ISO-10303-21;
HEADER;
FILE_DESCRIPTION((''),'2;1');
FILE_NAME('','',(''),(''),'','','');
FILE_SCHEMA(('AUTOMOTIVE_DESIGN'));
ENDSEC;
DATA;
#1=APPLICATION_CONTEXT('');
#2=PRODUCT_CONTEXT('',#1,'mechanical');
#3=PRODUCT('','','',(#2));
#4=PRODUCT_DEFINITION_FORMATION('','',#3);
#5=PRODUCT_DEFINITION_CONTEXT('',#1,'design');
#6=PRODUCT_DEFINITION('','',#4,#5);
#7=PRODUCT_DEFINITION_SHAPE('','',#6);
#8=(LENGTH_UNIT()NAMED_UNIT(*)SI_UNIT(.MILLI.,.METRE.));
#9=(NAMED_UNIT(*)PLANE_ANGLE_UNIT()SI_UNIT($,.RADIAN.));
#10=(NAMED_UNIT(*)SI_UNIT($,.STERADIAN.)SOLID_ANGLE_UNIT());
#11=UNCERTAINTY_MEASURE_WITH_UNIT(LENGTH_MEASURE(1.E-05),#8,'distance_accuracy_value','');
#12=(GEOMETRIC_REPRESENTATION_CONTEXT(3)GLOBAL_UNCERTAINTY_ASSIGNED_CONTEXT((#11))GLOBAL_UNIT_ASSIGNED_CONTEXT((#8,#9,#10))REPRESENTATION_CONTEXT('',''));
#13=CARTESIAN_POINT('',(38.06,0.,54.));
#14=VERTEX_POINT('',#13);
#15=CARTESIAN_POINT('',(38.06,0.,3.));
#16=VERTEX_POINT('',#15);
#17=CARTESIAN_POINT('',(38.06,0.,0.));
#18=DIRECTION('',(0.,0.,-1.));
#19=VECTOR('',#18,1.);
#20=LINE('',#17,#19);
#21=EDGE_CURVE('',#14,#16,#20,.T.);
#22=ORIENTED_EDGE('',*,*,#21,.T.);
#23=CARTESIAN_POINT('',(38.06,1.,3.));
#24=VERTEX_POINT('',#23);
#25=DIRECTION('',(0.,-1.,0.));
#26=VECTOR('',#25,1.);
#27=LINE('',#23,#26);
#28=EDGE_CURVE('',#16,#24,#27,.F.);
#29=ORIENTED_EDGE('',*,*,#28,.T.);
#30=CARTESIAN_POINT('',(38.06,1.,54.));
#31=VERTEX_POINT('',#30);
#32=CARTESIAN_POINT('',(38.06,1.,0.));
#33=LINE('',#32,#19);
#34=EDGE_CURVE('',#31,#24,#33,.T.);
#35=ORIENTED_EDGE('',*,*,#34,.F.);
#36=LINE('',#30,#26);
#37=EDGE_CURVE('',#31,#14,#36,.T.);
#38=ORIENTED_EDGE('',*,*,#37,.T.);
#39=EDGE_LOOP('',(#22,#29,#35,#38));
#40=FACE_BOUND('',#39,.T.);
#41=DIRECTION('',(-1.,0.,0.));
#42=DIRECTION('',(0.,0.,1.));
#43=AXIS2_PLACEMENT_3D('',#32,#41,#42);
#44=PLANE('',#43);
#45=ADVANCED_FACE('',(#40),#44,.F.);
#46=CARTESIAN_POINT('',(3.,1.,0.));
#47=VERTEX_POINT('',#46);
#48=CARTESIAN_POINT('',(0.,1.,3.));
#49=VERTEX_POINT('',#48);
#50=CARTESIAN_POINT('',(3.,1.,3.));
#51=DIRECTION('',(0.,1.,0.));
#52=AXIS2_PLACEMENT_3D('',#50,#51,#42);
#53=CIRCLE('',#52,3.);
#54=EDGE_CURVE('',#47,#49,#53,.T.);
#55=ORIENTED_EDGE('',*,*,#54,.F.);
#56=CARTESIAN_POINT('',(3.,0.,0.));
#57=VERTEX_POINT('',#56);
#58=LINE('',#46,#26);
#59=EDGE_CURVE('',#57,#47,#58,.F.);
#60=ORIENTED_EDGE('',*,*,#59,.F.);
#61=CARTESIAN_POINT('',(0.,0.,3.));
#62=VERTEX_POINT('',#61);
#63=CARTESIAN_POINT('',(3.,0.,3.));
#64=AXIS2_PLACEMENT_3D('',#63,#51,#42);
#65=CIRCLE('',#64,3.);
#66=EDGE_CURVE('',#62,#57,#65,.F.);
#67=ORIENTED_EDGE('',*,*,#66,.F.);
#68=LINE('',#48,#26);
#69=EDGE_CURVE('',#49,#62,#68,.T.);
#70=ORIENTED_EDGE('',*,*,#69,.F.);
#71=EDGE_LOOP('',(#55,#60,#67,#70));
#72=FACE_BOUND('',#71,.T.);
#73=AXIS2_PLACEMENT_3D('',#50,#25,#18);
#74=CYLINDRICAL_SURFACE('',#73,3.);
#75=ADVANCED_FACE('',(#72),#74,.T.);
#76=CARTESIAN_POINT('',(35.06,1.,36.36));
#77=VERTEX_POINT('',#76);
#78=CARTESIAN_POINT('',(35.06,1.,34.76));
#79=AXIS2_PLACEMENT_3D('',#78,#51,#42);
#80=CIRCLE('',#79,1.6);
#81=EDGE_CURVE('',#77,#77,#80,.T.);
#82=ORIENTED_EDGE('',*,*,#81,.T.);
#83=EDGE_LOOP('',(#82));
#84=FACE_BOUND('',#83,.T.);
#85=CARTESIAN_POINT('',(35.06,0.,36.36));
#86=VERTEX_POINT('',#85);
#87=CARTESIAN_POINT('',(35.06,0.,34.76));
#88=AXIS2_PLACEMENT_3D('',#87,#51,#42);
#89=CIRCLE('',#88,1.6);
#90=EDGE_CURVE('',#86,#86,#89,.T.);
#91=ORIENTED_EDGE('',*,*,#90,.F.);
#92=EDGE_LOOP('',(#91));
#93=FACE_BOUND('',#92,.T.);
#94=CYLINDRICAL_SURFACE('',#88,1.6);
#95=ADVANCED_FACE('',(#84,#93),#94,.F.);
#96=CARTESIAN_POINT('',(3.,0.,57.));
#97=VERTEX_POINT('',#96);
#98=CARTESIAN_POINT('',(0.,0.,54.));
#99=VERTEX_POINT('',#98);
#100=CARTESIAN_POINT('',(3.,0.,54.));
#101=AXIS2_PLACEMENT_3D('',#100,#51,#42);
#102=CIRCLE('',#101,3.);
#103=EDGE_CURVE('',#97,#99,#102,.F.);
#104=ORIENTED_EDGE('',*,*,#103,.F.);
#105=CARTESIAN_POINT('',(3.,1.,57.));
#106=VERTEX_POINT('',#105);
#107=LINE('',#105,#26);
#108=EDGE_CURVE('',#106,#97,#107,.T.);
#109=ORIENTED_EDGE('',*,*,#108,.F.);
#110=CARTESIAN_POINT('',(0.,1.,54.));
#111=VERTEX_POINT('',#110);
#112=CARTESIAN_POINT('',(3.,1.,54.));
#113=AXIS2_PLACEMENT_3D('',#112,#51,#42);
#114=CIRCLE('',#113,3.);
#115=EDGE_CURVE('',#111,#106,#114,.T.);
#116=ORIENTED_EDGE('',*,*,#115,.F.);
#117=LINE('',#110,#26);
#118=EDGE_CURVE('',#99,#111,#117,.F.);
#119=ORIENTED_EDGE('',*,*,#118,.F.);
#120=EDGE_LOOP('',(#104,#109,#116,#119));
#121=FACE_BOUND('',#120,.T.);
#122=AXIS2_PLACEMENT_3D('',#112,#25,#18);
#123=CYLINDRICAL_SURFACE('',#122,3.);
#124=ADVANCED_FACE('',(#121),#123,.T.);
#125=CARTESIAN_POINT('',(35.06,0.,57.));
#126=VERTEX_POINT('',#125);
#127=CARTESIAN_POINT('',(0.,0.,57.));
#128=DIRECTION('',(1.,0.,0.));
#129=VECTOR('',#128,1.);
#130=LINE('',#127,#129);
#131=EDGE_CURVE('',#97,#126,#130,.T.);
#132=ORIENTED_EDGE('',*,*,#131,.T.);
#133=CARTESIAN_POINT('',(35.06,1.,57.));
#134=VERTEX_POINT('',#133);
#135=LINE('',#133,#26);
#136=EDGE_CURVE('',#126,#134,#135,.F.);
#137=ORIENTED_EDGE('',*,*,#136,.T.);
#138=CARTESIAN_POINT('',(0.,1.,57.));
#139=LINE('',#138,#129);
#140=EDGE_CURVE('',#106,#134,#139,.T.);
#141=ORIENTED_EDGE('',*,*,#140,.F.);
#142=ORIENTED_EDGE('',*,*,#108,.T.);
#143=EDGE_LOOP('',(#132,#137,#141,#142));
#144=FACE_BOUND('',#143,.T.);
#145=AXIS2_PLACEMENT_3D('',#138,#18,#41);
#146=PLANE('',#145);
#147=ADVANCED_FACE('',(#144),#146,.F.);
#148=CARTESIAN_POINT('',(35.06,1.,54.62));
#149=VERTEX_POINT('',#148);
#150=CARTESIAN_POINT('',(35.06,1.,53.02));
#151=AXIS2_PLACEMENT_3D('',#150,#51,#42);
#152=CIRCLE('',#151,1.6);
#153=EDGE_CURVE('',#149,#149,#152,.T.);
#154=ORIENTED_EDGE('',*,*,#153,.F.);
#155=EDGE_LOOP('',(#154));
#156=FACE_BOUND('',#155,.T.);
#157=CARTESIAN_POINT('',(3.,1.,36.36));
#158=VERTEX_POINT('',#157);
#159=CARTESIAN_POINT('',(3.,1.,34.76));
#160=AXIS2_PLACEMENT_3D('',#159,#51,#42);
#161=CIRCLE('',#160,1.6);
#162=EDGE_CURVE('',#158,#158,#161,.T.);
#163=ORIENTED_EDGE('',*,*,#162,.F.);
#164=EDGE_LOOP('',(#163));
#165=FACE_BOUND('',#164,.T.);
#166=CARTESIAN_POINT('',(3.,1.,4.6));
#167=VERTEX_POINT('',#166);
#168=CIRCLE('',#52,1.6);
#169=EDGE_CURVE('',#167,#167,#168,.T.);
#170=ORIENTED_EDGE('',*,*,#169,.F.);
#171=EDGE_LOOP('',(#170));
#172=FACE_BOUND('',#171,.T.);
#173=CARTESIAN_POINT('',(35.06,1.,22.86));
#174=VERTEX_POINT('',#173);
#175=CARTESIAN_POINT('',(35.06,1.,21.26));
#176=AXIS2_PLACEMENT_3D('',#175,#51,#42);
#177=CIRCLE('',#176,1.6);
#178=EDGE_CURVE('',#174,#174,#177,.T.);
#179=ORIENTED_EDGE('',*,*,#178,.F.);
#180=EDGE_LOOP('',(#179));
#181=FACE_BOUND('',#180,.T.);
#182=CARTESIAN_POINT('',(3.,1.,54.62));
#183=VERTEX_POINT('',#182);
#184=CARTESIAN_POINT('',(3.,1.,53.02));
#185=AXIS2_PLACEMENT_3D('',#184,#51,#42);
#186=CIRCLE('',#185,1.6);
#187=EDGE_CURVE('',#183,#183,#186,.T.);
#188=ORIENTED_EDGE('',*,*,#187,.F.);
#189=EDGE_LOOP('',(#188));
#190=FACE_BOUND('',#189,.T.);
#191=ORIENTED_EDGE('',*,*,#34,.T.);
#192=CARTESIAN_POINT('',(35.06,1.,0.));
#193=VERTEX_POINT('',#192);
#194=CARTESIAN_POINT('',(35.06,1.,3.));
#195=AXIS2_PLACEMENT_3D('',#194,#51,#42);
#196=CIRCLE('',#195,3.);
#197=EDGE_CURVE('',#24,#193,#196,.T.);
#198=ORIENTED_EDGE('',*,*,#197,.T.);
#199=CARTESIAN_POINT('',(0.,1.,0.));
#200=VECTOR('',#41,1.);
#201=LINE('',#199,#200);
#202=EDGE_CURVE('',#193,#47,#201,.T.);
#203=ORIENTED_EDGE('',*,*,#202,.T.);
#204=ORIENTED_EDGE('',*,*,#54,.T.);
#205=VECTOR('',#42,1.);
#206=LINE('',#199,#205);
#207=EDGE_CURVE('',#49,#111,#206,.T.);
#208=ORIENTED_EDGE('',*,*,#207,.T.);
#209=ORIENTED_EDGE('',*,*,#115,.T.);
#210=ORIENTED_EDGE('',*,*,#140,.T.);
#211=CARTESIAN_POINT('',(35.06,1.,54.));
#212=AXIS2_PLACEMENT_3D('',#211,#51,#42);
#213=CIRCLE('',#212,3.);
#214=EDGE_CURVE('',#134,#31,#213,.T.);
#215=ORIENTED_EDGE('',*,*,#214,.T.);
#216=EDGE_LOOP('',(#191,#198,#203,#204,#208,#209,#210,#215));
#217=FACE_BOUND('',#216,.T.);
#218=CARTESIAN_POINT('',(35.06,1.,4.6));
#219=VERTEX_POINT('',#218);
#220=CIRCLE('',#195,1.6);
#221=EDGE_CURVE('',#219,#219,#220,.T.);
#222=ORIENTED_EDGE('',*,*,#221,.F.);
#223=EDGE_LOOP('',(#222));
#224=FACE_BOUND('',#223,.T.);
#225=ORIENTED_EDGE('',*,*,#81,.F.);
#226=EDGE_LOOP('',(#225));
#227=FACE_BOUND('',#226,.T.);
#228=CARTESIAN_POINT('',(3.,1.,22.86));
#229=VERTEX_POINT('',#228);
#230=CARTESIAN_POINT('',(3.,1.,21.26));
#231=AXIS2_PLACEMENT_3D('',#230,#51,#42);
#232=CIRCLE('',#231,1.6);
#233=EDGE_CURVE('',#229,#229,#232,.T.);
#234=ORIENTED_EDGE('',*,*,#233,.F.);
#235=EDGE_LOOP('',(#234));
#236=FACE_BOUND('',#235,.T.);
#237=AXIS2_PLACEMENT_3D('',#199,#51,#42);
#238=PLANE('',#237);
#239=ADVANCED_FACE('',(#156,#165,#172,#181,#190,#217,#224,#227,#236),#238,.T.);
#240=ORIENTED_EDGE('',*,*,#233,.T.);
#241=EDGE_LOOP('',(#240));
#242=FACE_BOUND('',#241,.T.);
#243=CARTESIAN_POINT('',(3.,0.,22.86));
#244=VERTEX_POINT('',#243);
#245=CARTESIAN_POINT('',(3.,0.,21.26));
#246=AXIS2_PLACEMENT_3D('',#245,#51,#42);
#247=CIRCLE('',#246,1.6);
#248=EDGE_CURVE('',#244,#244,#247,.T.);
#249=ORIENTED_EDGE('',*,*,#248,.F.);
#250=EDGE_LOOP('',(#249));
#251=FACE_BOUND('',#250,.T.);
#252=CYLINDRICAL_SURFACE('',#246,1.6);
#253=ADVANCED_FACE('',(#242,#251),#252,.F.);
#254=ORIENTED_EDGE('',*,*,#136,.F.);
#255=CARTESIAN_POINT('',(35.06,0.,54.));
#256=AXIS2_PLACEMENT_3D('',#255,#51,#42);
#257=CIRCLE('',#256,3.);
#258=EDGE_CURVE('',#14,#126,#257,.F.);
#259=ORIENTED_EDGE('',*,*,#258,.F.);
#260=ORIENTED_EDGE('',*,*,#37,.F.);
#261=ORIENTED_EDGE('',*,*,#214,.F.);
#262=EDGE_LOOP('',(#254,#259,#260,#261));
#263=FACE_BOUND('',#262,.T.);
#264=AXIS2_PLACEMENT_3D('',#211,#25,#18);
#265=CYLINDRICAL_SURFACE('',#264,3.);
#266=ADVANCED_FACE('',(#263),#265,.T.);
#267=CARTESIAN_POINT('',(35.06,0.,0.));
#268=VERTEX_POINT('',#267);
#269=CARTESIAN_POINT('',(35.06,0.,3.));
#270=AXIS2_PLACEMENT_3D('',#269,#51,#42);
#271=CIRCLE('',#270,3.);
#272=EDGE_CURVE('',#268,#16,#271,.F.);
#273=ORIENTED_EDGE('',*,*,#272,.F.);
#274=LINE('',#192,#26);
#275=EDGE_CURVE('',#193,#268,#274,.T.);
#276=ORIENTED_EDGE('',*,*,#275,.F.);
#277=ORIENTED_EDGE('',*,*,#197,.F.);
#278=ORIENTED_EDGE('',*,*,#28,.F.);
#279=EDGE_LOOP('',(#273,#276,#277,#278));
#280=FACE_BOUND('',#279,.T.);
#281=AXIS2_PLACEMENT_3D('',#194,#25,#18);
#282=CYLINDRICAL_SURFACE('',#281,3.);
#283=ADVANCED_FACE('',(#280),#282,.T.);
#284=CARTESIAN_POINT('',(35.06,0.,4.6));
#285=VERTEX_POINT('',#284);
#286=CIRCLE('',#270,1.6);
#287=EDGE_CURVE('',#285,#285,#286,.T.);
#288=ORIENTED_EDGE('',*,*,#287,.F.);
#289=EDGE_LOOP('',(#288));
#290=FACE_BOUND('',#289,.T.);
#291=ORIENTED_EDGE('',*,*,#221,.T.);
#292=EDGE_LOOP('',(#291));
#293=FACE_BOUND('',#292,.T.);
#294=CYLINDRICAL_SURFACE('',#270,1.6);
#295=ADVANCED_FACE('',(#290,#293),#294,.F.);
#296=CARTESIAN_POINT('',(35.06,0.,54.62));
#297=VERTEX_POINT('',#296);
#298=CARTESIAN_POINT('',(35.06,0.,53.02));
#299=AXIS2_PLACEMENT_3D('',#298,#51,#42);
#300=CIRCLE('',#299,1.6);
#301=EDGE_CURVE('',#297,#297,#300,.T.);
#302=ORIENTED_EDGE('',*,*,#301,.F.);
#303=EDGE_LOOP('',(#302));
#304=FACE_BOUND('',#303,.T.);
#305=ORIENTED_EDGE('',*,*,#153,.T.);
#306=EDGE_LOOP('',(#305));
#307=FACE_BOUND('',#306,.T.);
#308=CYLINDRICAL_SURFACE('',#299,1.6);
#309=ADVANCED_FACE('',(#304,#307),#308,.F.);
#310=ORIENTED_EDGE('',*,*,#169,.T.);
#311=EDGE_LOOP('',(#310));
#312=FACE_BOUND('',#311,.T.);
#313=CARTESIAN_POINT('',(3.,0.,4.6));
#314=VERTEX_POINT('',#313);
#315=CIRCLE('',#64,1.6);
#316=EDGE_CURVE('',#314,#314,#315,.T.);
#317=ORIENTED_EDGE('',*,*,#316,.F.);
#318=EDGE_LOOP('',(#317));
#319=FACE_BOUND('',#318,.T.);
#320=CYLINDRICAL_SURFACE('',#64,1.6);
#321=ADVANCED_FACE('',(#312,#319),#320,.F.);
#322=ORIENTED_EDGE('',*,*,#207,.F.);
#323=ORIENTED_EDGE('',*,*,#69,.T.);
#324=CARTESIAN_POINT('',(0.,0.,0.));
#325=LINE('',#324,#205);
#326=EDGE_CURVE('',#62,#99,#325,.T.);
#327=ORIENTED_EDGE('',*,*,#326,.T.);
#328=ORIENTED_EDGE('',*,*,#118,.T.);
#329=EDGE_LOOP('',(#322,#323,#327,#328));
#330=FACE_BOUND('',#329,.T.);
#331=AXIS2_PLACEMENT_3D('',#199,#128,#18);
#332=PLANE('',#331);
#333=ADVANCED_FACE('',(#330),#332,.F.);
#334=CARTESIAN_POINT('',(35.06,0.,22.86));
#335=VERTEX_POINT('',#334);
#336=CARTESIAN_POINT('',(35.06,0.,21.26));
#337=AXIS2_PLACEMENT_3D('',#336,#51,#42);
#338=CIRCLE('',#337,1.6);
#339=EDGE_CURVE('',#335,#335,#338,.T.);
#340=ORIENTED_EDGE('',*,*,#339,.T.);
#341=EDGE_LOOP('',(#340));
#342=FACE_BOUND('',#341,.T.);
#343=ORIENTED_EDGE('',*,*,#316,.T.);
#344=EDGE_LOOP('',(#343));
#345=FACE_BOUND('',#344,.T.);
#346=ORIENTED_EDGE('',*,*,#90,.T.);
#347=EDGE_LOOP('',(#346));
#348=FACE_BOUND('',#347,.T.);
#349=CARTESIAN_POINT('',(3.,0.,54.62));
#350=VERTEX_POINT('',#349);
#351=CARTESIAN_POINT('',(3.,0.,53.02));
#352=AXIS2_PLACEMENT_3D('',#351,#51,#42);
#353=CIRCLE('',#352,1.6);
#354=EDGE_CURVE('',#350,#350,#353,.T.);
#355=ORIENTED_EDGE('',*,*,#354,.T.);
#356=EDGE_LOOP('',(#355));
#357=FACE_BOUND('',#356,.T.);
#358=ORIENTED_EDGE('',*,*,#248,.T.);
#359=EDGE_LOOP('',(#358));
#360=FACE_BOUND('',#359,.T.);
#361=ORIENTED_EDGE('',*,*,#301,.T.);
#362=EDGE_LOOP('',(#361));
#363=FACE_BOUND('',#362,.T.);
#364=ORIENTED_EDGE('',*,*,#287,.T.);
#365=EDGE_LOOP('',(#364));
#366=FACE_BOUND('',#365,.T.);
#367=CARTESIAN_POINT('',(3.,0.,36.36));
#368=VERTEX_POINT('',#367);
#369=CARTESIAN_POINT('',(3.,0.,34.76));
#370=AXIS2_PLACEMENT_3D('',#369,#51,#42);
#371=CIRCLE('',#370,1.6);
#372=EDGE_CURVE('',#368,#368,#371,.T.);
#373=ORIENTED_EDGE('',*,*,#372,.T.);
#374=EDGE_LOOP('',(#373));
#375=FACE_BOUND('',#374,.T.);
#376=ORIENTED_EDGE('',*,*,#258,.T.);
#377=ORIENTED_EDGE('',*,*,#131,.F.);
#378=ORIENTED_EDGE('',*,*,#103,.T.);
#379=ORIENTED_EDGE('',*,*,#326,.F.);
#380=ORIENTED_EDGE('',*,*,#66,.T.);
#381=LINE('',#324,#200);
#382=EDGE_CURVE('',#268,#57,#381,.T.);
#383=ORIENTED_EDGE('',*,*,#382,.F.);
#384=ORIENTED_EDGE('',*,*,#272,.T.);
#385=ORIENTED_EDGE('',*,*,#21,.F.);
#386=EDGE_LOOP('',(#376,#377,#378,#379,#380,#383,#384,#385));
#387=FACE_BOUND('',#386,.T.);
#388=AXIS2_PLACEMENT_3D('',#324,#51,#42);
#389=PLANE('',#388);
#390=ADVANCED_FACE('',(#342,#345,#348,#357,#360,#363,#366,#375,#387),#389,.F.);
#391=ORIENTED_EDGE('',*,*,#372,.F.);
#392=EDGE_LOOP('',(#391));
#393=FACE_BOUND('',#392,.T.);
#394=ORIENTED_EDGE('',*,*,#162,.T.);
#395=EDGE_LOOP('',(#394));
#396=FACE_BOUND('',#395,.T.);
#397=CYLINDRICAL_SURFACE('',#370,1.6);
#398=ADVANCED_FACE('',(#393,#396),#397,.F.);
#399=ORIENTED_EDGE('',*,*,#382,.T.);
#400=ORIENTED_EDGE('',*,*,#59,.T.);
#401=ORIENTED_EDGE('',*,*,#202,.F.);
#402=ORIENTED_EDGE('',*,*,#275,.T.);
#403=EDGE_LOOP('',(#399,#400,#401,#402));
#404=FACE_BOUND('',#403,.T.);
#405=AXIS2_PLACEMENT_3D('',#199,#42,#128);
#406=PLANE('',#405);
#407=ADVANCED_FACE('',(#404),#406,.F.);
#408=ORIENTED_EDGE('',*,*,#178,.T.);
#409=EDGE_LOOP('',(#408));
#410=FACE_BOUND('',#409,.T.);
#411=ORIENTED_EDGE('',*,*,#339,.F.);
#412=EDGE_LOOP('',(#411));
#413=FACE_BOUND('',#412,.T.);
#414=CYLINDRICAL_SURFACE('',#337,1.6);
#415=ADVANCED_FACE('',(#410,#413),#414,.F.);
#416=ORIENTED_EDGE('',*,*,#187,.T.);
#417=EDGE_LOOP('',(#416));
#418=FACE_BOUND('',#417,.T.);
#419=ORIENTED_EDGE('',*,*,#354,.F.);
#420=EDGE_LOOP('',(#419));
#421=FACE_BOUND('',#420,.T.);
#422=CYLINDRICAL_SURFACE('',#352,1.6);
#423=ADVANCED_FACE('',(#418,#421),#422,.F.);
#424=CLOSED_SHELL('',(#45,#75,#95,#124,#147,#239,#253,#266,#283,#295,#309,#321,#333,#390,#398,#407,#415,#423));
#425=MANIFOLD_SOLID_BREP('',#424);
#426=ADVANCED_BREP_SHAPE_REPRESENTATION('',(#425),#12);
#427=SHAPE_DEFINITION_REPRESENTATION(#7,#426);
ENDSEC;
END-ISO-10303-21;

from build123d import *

# Parameters (mm, degrees)
SKETCH2_W           = 38.06
SKETCH2_H           = 57
SKETCH2_R           = 1.53
BOSS_EXTRUDE1_DEPTH = 1
FILLET2_R           = 3
SKETCH4_R           = 1.6
CUT_EXTRUDE1_DEPTH  = 69.54606918


with BuildPart() as part:
    # Sketch2 → Boss-Extrude1 (new body)
    with BuildSketch(Plane(origin=(0, 0, 0), x_dir=(1, 0, 0), z_dir=(0, 1, 0))):
        with Locations((19.03, -28.5)):
            Rectangle(SKETCH2_W, SKETCH2_H)
        with Locations(Location((3, -3, 0), (0, 0, 270))):
            Circle(SKETCH2_R, mode=Mode.SUBTRACT)
        with Locations(Location((3, -21.26, 0), (0, 0, 270))):
            Circle(SKETCH2_R, mode=Mode.SUBTRACT)
        with Locations(Location((3, -34.76, 0), (0, 0, 270))):
            Circle(SKETCH2_R, mode=Mode.SUBTRACT)
        with Locations(Location((3, -53.02, 0), (0, 0, 270))):
            Circle(SKETCH2_R, mode=Mode.SUBTRACT)
        with Locations(Location((35.06, -53.02, 0), (0, 0, 270))):
            Circle(SKETCH2_R, mode=Mode.SUBTRACT)
        with Locations(Location((35.06, -34.76, 0), (0, 0, 270))):
            Circle(SKETCH2_R, mode=Mode.SUBTRACT)
        with Locations(Location((35.06, -21.26, 0), (0, 0, 270))):
            Circle(SKETCH2_R, mode=Mode.SUBTRACT)
        with Locations(Location((35.06, -3, 0), (0, 0, 270))):
            Circle(SKETCH2_R, mode=Mode.SUBTRACT)
    extrude(amount=BOSS_EXTRUDE1_DEPTH)

    # Fillet2
    fillet2_edges = [part.edges().sort_by_distance(p)[0] for p in [
        (38.06, 0.5, 57),
        (0, 0.5, 57),
        (0, 0.5, 0),
        (38.06, 0.5, 0),
    ]]
    fillet(fillet2_edges, radius=FILLET2_R)

    # Sketch4 → Cut-Extrude1 (cut, through all)
    with BuildSketch(Plane(origin=(0, 1, 0), x_dir=(1, 0, 0), z_dir=(0, 1, 0))):
        with Locations(Location((3, -3, 0), (0, 0, 270))):
            Circle(SKETCH4_R)
        with Locations(Location((3, -21.26, 0), (0, 0, 270))):
            Circle(SKETCH4_R)
        with Locations(Location((35.06, -3, 0), (0, 0, 270))):
            Circle(SKETCH4_R)
        with Locations(Location((35.06, -21.26, 0), (0, 0, 270))):
            Circle(SKETCH4_R)
        with Locations(Location((3, -34.76, 0), (0, 0, 270))):
            Circle(SKETCH4_R)
        with Locations(Location((35.06, -34.76, 0), (0, 0, 270))):
            Circle(SKETCH4_R)
        with Locations(Location((3, -53.02, 0), (0, 0, 270))):
            Circle(SKETCH4_R)
        with Locations(Location((35.06, -53.02, 0), (0, 0, 270))):
            Circle(SKETCH4_R)
    extrude(amount=-CUT_EXTRUDE1_DEPTH, mode=Mode.SUBTRACT)


solid = part.part
